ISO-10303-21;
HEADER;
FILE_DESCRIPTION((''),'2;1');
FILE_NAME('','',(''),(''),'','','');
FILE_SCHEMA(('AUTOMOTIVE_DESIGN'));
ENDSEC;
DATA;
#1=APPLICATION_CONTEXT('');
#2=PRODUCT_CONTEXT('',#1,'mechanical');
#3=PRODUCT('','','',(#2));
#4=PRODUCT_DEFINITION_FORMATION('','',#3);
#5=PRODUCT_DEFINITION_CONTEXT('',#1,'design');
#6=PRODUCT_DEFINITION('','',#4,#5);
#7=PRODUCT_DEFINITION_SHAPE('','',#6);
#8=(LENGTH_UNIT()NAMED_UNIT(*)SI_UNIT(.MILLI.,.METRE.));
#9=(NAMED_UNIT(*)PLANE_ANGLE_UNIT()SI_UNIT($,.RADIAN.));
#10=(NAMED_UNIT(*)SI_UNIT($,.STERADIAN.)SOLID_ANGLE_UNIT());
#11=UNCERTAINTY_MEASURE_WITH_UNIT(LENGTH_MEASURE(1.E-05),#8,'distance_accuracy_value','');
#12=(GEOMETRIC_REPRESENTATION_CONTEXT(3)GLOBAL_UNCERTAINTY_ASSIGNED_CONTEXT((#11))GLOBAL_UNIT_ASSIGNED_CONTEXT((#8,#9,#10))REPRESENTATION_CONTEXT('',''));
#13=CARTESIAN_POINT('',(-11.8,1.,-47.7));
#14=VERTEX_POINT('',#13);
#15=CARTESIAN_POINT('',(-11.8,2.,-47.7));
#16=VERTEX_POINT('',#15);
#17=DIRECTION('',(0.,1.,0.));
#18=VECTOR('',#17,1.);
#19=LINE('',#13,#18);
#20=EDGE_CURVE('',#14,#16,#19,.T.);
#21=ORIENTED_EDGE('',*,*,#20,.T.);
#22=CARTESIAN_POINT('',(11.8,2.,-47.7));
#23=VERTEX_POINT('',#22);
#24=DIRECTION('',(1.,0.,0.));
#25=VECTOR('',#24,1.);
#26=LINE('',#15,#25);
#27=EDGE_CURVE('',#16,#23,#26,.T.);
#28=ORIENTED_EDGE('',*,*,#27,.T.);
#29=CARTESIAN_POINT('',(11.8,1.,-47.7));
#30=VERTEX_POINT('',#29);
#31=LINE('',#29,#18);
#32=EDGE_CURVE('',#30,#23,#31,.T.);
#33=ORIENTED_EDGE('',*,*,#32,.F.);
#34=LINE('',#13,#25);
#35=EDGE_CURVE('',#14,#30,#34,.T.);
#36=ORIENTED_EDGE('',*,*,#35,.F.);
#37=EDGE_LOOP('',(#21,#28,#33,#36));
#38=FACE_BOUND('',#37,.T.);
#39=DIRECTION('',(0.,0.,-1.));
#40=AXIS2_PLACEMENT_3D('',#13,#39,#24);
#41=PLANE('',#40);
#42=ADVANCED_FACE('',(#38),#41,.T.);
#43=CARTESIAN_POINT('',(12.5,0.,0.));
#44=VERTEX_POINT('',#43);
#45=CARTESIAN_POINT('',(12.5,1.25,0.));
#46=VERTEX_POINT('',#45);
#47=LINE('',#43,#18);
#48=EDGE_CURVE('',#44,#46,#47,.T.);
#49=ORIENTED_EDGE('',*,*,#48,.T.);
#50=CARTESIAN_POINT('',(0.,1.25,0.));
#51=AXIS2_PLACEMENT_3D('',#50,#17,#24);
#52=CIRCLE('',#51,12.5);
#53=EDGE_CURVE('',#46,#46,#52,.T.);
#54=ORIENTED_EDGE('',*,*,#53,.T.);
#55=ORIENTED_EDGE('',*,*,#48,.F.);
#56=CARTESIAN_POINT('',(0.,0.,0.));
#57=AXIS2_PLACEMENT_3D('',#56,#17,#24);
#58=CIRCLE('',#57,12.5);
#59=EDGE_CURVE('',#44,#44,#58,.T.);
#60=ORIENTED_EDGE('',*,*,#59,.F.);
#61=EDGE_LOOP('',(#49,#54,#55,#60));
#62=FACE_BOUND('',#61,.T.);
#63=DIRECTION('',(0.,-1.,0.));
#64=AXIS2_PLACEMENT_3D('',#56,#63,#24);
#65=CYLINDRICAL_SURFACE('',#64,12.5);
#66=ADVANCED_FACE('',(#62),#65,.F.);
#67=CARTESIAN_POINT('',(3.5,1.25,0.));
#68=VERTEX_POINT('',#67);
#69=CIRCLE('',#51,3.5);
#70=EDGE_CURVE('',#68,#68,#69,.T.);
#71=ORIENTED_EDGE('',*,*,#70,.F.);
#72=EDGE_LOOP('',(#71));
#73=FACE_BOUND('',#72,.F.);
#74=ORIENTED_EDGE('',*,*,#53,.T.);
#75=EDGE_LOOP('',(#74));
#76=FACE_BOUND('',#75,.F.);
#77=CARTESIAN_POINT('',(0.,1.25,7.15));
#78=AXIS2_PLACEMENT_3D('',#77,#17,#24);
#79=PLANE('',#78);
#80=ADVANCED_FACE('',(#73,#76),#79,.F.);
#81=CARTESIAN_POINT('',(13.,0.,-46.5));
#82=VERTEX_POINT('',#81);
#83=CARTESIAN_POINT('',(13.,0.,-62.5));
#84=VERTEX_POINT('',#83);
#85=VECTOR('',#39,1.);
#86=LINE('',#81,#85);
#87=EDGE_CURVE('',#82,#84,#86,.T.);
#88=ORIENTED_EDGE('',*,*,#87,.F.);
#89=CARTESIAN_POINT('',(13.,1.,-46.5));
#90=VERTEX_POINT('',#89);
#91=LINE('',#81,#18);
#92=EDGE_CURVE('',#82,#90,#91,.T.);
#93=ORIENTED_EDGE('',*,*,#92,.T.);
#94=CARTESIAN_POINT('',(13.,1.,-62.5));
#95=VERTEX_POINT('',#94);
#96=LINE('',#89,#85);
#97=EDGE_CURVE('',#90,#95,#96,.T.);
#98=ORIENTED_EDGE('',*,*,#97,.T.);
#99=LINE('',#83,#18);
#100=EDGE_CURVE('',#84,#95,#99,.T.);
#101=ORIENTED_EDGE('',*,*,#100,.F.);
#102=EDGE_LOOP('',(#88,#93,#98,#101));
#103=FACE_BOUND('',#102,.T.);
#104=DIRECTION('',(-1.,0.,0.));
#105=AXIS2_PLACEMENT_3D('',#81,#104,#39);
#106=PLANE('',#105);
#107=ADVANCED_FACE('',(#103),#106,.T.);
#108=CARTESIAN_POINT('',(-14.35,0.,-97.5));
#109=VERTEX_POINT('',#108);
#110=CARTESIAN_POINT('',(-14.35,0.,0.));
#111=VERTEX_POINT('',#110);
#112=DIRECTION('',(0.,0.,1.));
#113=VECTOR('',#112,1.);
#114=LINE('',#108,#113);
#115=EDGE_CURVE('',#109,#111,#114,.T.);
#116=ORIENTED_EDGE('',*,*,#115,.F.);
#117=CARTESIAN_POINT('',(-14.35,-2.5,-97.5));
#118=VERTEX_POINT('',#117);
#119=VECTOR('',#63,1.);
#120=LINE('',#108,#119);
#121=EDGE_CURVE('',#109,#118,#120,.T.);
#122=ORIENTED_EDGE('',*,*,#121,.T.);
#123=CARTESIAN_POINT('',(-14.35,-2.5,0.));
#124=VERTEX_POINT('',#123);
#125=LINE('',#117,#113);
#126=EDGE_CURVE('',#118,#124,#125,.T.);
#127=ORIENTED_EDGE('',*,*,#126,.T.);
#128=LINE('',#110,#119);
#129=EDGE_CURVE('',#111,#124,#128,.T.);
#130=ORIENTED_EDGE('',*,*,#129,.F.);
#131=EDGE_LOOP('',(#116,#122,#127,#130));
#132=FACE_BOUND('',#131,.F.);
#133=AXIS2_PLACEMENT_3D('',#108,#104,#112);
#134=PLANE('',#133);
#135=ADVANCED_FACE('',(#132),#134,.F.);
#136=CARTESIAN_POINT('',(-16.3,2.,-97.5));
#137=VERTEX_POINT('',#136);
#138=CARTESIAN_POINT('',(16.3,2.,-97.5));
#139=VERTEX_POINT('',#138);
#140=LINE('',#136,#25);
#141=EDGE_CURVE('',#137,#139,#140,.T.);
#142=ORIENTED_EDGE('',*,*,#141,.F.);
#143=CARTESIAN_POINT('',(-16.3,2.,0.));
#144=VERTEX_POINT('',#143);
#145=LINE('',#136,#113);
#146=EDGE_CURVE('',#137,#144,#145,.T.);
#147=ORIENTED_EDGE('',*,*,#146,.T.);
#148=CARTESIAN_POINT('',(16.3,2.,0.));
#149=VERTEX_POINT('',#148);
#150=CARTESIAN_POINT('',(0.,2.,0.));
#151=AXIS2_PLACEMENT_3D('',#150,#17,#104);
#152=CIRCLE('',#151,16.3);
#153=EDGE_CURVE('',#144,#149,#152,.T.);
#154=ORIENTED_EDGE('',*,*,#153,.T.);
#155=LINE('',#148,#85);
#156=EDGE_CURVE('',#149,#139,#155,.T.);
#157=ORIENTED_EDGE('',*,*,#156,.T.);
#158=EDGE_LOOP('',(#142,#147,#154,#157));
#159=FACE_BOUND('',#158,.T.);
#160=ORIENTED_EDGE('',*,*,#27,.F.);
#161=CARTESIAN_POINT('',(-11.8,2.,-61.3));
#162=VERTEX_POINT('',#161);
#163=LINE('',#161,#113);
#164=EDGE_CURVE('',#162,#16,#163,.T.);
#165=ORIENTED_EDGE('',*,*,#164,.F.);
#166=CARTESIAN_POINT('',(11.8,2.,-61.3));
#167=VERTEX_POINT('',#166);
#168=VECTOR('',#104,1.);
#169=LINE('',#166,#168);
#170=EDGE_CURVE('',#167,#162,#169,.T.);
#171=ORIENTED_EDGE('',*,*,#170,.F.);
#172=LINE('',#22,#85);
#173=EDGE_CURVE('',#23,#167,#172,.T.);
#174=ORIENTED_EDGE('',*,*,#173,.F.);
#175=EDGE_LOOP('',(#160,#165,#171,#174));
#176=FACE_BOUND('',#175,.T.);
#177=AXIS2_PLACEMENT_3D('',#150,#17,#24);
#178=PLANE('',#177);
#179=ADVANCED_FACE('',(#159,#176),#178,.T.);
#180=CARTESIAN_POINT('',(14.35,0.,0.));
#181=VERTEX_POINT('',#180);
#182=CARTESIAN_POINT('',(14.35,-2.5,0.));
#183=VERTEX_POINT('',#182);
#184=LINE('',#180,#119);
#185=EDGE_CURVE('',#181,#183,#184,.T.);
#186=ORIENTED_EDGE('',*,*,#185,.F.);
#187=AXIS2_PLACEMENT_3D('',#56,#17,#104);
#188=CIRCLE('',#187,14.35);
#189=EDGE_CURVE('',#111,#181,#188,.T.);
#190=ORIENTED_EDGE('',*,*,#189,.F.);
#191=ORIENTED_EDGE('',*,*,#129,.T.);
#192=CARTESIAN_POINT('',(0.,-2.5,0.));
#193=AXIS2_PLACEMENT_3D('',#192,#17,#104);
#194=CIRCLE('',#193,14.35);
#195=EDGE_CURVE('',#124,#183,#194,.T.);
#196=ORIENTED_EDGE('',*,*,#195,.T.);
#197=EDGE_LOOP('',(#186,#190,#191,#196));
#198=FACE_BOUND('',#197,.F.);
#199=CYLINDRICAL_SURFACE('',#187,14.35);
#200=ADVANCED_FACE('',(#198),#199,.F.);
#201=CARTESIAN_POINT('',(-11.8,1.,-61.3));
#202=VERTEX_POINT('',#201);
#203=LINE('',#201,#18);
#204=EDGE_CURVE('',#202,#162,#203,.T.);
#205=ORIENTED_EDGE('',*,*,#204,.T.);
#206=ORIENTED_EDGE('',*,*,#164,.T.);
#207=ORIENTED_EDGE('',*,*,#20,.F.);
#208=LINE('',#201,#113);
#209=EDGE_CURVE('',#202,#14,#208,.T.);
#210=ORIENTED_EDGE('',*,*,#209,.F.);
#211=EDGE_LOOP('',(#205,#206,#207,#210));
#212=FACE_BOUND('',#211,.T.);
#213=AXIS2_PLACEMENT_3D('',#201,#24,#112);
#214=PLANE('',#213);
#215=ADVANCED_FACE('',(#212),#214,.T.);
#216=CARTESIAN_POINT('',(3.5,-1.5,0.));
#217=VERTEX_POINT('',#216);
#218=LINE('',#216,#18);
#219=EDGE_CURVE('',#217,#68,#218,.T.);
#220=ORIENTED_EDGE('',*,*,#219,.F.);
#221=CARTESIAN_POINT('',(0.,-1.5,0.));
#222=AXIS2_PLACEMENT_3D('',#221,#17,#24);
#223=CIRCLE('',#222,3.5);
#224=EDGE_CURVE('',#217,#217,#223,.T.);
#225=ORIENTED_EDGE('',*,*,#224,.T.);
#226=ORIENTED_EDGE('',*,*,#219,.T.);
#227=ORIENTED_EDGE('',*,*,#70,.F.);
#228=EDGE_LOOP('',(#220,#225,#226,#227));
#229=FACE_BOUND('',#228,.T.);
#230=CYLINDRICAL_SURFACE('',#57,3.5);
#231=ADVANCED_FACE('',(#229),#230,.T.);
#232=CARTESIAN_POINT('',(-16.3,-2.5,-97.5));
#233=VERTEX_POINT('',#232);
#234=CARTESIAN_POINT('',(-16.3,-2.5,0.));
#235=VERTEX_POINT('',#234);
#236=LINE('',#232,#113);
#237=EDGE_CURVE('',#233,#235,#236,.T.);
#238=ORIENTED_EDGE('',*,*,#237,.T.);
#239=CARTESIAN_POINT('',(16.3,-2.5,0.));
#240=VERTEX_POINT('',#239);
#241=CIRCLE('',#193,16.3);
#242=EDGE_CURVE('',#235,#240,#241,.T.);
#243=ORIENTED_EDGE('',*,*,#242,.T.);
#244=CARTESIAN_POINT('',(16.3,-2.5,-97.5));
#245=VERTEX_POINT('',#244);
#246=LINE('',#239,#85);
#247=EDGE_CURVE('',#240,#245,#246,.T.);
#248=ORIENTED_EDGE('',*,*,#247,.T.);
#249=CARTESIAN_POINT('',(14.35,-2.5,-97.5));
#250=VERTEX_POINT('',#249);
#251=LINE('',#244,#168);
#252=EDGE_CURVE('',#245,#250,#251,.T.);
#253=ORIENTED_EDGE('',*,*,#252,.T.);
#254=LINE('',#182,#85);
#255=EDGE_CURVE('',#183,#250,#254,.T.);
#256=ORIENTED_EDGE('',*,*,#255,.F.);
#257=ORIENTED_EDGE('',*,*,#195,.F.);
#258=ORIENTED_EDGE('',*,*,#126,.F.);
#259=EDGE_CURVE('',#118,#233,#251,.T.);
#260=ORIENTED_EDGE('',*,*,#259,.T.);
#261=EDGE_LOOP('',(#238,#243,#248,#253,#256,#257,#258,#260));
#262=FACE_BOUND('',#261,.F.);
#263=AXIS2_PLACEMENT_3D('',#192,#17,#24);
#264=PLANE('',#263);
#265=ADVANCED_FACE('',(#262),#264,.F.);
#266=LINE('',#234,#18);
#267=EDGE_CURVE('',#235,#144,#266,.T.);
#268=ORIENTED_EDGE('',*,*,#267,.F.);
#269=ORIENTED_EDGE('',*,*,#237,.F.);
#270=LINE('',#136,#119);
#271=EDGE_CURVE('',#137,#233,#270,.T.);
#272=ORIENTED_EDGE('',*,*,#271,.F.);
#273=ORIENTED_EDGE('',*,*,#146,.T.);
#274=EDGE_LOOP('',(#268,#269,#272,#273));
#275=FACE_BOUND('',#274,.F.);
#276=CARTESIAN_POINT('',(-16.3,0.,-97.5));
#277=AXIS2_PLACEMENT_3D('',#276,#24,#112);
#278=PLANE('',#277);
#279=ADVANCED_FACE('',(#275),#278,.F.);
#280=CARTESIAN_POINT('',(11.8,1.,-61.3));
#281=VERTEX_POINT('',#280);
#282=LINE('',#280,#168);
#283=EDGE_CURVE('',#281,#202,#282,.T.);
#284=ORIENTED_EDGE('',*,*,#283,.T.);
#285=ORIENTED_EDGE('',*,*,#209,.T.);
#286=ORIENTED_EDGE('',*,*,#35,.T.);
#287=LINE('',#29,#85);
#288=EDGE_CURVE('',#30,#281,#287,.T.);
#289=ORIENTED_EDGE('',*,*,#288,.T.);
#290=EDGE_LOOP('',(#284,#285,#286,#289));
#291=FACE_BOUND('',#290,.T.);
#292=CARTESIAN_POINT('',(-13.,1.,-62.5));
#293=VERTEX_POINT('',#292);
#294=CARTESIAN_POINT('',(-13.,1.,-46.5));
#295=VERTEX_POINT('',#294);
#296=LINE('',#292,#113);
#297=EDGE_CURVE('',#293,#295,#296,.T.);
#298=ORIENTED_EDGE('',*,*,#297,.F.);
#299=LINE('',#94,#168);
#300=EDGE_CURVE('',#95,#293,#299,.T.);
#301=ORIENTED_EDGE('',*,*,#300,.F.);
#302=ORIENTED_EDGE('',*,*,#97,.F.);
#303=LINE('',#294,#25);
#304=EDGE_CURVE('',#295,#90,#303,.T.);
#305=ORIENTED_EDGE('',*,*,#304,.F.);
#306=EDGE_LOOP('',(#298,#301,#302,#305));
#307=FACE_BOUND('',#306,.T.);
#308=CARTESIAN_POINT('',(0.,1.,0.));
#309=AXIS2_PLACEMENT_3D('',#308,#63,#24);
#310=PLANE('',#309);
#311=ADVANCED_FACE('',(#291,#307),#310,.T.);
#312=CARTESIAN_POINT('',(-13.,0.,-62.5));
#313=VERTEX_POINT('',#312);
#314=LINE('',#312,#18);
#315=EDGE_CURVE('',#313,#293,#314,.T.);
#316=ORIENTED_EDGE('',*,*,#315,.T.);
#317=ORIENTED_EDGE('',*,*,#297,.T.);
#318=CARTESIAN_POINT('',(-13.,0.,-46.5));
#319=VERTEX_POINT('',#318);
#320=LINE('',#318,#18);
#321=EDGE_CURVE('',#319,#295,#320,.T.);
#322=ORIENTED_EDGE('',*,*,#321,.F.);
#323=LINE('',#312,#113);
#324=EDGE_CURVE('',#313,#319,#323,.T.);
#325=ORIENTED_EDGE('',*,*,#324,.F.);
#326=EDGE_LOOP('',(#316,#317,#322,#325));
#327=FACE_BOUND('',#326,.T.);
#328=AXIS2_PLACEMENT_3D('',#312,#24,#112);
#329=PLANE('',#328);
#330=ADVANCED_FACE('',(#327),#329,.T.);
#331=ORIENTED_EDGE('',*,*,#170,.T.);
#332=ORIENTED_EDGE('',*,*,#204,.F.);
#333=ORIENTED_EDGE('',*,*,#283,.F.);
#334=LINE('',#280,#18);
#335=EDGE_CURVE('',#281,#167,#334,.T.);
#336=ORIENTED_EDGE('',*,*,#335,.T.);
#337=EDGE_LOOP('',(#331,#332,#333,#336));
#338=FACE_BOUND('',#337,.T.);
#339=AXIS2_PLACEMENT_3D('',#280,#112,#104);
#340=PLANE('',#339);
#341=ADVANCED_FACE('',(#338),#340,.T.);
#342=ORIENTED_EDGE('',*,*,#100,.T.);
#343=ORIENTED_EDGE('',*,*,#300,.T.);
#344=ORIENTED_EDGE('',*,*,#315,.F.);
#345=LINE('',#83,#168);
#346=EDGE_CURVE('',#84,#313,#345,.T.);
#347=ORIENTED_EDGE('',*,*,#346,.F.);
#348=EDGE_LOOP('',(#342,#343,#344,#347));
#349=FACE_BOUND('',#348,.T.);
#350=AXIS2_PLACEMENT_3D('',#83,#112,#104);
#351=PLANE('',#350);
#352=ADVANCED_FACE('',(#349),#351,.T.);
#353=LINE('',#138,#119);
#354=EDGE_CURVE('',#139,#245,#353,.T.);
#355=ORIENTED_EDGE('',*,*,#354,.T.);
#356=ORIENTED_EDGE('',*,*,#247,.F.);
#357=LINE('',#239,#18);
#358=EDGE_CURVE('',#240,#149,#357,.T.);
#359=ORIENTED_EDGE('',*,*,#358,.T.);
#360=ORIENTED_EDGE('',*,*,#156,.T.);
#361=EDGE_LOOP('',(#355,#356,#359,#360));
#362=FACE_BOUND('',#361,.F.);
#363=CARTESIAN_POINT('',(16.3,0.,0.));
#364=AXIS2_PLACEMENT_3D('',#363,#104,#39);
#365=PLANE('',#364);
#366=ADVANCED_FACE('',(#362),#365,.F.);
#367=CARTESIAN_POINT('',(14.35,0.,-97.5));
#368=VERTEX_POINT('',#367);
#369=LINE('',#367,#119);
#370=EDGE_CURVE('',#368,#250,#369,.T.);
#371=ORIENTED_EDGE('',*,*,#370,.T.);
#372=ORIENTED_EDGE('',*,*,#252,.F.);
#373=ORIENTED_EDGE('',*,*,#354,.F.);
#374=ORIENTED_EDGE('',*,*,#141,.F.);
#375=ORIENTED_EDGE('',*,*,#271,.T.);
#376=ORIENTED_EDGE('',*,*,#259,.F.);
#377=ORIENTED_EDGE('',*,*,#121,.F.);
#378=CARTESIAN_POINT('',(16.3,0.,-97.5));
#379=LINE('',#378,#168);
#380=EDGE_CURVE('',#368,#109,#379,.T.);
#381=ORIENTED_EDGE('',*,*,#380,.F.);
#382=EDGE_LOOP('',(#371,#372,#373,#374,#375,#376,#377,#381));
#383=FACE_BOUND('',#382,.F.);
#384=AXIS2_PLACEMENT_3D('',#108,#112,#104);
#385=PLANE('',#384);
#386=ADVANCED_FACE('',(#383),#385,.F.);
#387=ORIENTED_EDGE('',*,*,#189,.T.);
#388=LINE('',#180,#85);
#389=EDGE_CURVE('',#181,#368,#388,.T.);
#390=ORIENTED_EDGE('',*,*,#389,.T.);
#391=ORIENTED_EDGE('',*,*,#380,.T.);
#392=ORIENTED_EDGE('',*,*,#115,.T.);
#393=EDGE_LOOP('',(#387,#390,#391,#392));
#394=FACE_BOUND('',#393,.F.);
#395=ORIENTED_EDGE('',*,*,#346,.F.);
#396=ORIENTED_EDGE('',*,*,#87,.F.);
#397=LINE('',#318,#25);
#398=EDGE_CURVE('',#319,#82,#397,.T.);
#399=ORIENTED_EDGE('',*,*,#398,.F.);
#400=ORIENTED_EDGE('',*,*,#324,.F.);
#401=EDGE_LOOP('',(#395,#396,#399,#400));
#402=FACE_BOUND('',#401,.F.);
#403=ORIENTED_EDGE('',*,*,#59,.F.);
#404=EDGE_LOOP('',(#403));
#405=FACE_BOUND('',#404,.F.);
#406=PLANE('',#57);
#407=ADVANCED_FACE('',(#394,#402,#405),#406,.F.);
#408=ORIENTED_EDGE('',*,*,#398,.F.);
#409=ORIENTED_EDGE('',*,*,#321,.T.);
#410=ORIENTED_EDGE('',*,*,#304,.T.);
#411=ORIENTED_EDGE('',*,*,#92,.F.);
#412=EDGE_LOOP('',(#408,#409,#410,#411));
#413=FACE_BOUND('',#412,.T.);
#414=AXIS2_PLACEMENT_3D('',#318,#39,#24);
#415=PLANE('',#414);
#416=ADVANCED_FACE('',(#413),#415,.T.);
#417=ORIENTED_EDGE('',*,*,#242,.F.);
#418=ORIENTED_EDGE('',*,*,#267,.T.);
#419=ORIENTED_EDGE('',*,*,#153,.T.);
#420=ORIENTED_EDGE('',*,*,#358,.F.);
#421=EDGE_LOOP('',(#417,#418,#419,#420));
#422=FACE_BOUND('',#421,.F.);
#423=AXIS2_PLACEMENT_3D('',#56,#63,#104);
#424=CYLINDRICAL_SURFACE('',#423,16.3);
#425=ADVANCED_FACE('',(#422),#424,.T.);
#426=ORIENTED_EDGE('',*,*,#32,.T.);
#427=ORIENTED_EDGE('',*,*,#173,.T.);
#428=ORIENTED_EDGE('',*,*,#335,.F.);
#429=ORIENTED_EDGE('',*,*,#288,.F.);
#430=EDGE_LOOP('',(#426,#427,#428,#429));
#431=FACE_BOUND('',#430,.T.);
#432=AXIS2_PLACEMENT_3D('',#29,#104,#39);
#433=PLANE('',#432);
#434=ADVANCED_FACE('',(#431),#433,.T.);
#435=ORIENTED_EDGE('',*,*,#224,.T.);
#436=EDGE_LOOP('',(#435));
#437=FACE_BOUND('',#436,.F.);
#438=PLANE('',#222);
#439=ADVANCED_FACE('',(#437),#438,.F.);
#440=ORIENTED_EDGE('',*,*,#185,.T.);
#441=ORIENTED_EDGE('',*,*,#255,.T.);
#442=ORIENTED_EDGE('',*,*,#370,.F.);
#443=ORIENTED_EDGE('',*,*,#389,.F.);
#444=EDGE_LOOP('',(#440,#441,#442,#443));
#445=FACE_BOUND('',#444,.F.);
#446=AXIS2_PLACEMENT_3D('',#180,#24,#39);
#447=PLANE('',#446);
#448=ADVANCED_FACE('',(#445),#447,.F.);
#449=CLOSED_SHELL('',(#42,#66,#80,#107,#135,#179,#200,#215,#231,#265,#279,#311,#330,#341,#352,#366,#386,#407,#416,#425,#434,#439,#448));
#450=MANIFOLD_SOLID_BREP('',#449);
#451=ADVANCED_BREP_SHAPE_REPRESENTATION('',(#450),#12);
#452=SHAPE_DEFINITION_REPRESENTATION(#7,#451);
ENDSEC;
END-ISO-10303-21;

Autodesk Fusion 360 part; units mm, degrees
sketch "Sketch1" plane through (0, 0, 0) normal (0, 1, 0) x (1, 0, 0)
  line L0 (-16.3, 0) -> (16.3, 0)
  line L1 (16.3, 0) -> (16.3, 97.5)
  line L2 (16.3, 97.5) -> (-16.3, 97.5)
  line L3 (-16.3, 97.5) -> (-16.3, 0)
  line L4 (0, 102.6744) -> (0, -20) construction
  arc A0 (-16.3, 0) -> (16.3, 0) centre (0, 0) ccw
  line L5 (-14.35, 97.5) -> (-14.35, 0)
  arc A1 (-14.35, 0) -> (14.35, 0) centre (0, 0) ccw
  line L6 (14.35, 0) -> (14.35, 97.5)
  dimension "d1" = 32.6
  dimension "d2" = 97.5
  dimension "d3" = 1.95
extrude "Extrude1" add sketch "Sketch1" along normal blind 2
extrude "Extrude2" add sketch "Sketch1" against normal blind 2.5 contours L0 L2 L3 L5 | L0 A0 A1 | L0 L1 L2 L6
sketch "Sketch2" plane through (0, 0, 7.15) normal (0, 1, 0) x (1, 0, 0)
  circle A0 centre (0, 7.15) radius 3.5
  circle A1 centre (0, 7.15) radius 4.1
  circle A2 centre (0, 7.15) radius 4.7
  circle A3 centre (0, 7.15) radius 5.3
  circle A4 centre (0, 7.15) radius 5.9
  circle A5 centre (0, 7.15) radius 6.5
  circle A6 centre (0, 7.15) radius 7.1
  circle A7 centre (0, 7.15) radius 7.7
  circle A8 centre (0, 7.15) radius 8.3
  line L0 (27.1083, -9.4638) -> (28.3083, -9.4638)
  line L1 (28.3083, -9.4638) -> (28.3083, -7.488)
  line L2 (28.3083, -7.488) -> (27.1083, -7.488)
  line L3 (27.1083, -7.488) -> (27.1083, -9.4638)
  circle A9 centre (0, 7.15) radius 8.9
  circle A10 centre (0, 7.15) radius 9.5
  circle A11 centre (0, 7.15) radius 10.1
  circle A12 centre (0, 7.15) radius 10.7
  circle A13 centre (0, 7.15) radius 11.3
  circle A14 centre (0, 7.15) radius 11.9
  circle A15 centre (0, 7.15) radius 12.5
  dimension "d18" = 7
  dimension "d19" = 8.2
  dimension "d20" = 1.2
  dimension "d21" = 9.4
  dimension "d22" = 10.6
  dimension "d23" = 11.8
  dimension "d24" = 13
  dimension "d25" = 14.2
  dimension "d26" = 15.4
  dimension "d27" = 16.6
  dimension "d28" = 17.8
  dimension "d29" = 19
  dimension "d30" = 20.2
  dimension "d31" = 21.4
  dimension "d32" = 22.6
  dimension "d33" = 23.8
  dimension "d34" = 25
extrude "Extrude4" cut sketch "Sketch2" along normal blind 1.25 contours A1 | A2 | A3 | A4 | A5 | A6 | A7 | A8 | A9 | A10 | A11 | A12 | A13 | A14 | A15
extrude "Extrude5" add 1 faces at (0.555, 0, 0.9381) along direction (0, -1, 0) blind 1.5
sketch "Sketch3" plane through (0, 0, 0) normal (0, -1, 0) x (1, 0, 0)
  line L0 (14.35, -97.5) -> (14.35, 0)
  arc A0 (14.35, 0) -> (-14.35, 0) centre (0, 0) ccw
  line L1 (-14.35, 0) -> (-14.35, -97.5)
  line L2 (-14.35, -97.5) -> (14.35, -97.5)
  circle A1 centre (0, 0) radius 12.5
  line L3 (13, -62.5) -> (-13, -62.5)
  line L4 (-13, -62.5) -> (-13, -46.5)
  line L5 (-13, -46.5) -> (13, -46.5)
  line L6 (13, -46.5) -> (13, -62.5)
  line L7 (13, -62.5) -> (-13, -46.5) construction
  line L8 (-13, -62.5) -> (13, -46.5) construction
  dimension "d39" = 26
  dimension "d40" = 16
  dimension "d41" = 35
extrude "Extrude6" cut sketch "Sketch3" against normal blind 1 contours L3 L4 L5 L6
sketch "Sketch4" plane through (0, 1, 0) normal (0, -1, 0) x (1, 0, 0)
  line L0 (13, -46.5) -> (-13, -46.5)
  line L1 (-13, -46.5) -> (-13, -62.5)
  line L2 (-13, -62.5) -> (13, -62.5)
  line L3 (13, -62.5) -> (13, -46.5)
  line L4 (11.8, -61.3) -> (-11.8, -61.3)
  line L5 (-11.8, -61.3) -> (-11.8, -47.7)
  line L6 (-11.8, -47.7) -> (11.8, -47.7)
  line L7 (11.8, -47.7) -> (11.8, -61.3)
  line L8 (11.8, -61.3) -> (-11.8, -47.7) construction
  line L9 (-11.8, -61.3) -> (11.8, -47.7) construction
  dimension "d44" = 23.6
  dimension "d45" = 13.6
extrude "Extrude7" cut sketch "Sketch4" against normal blind 1 contours L4 L5 L6 L7
equation "d1 = 33 mm - 0.4 mm"
equation "d2 = 114 mm - ( 33 / 2 ) * 1 mm"
equation "d19 = d18 + d20"
equation "d21 = d19 + d20"
equation "d22 = d21 + d20"
equation "d23 = d22 + d20"
equation "d24 = d23 + d20"
equation "d25 = d24 + d20"
equation "d26 = d25 + d20"
equation "d27 = d26 + d20"
equation "d28 = d27 + d20"
equation "d29 = d28 + d20"
equation "d30 = d29 + d20"
equation "d31 = d30 + d20"
equation "d32 = d31 + d20"
equation "d33 = d32 + d20"
equation "d34 = d33 + d20"
